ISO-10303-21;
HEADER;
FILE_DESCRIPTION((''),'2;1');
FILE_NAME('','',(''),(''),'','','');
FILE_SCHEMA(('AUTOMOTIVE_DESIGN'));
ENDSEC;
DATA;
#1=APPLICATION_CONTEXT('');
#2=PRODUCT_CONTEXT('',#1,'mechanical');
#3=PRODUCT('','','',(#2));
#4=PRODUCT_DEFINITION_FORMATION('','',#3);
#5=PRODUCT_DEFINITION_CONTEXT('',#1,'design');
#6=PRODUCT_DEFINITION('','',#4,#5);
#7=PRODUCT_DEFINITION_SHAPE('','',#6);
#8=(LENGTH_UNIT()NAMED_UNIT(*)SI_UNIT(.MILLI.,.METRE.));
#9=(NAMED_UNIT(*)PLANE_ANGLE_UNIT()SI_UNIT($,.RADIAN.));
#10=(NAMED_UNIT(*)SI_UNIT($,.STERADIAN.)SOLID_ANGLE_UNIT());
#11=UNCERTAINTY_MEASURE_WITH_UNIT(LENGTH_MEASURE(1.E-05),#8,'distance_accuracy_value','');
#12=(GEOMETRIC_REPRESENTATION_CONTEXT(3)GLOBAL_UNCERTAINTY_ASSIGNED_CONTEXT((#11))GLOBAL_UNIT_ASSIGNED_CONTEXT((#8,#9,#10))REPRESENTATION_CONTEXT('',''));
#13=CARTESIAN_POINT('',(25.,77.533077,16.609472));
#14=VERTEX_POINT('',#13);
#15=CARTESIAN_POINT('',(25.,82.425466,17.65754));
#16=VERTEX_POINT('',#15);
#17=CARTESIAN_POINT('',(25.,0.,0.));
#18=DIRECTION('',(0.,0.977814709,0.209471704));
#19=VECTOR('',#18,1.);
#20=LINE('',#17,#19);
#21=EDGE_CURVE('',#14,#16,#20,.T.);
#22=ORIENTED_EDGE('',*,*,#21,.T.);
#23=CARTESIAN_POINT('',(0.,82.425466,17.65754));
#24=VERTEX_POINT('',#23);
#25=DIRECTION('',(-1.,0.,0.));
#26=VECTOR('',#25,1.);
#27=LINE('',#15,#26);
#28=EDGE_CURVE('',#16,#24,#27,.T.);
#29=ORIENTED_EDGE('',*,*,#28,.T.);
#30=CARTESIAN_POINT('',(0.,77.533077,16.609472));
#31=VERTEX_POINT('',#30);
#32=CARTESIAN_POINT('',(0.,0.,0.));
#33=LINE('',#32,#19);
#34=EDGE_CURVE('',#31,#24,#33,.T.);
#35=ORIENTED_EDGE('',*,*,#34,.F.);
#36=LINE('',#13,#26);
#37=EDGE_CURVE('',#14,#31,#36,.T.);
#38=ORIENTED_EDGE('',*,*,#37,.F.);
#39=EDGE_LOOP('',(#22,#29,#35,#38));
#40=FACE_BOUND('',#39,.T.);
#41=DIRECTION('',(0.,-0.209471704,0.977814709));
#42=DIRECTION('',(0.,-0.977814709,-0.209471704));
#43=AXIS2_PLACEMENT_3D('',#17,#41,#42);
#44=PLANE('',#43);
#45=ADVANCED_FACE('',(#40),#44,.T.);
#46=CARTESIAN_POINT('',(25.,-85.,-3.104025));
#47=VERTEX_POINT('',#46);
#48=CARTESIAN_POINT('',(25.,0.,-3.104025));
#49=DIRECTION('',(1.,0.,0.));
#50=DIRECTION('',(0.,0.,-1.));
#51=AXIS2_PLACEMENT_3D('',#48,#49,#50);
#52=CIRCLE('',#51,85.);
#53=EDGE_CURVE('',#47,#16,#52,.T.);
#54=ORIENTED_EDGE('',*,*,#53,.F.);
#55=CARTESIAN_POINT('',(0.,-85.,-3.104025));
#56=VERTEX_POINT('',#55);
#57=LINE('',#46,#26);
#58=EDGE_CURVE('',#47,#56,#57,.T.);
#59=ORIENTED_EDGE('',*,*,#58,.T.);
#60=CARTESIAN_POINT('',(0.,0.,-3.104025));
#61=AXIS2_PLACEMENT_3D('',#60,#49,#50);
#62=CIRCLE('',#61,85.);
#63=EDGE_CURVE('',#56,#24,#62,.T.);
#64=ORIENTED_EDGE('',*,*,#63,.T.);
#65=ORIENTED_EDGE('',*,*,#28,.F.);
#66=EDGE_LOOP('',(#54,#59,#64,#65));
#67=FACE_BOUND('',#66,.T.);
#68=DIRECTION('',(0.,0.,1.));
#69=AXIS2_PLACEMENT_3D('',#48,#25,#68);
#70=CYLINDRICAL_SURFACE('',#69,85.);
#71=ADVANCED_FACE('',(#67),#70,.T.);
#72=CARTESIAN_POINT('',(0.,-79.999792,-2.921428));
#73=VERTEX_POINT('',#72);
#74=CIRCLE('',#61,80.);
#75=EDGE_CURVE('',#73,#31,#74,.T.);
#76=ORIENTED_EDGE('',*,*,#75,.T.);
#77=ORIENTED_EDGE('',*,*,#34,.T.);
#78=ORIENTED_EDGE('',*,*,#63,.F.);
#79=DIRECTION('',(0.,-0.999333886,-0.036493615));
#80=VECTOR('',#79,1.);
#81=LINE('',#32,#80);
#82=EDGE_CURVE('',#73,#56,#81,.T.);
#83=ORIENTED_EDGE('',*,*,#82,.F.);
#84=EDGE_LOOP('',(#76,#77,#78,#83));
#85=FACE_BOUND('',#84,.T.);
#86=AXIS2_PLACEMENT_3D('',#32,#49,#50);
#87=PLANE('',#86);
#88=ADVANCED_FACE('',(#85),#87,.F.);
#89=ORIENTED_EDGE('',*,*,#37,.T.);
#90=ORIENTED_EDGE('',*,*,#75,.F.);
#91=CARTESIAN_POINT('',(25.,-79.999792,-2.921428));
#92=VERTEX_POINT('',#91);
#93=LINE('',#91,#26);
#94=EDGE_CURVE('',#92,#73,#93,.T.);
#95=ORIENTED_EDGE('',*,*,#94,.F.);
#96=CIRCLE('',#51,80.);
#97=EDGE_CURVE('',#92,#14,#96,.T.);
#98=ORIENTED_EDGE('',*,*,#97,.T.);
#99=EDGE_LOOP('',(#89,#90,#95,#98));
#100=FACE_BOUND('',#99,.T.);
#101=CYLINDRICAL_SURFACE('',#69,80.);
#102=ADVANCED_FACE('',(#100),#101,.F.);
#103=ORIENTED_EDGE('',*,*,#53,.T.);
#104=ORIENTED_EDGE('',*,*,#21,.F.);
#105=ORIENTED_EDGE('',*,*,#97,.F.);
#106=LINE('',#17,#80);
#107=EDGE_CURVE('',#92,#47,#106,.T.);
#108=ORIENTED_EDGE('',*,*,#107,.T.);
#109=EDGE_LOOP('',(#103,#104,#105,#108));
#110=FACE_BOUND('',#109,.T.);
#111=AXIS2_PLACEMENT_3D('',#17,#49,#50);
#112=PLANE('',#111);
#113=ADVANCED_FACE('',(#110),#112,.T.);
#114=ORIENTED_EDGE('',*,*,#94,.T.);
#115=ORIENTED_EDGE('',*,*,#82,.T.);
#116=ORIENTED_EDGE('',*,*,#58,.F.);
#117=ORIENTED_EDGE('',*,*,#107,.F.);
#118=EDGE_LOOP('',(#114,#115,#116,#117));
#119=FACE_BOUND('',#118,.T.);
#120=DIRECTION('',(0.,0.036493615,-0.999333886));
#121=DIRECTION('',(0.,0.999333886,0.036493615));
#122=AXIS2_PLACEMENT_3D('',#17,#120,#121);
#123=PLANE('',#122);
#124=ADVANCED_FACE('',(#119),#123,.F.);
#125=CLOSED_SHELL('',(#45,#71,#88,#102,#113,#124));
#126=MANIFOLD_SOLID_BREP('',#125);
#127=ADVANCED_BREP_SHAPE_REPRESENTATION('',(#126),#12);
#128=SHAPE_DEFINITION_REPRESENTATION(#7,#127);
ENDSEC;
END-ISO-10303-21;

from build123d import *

# Parameters (mm, degrees)
BOSS_EXTRUDE1_DEPTH = 25


with BuildPart() as part:
    # Sketch1 → Boss-Extrude1 (new body)
    with BuildSketch(Plane(origin=(0, 0, 0), x_dir=(0, 0, -1), z_dir=(1, 0, 0))):
        with BuildLine():
            ThreePointArc((83.104024945, 0), (59.607972661, -56.633063598), (2.921427632, -79.999791614))
            Line((2.921427632, -79.999791614), (3.104024945, -85))
            ThreePointArc((3.104024945, -85), (63.208101345, -60.104076401), (88.104024945, 0))
            ThreePointArc((88.104024945, 0), (55.354704105, 67.04376576), (-17.657540402, 82.425465752))
            Line((-17.657540402, 82.425465752), (-16.609471714, 77.533077132))
            ThreePointArc((-16.609471714, 77.533077132), (52.210645004, 63.154887905), (83.104024945, 0))
        make_face()
    extrude(amount=BOSS_EXTRUDE1_DEPTH)


solid = part.part
